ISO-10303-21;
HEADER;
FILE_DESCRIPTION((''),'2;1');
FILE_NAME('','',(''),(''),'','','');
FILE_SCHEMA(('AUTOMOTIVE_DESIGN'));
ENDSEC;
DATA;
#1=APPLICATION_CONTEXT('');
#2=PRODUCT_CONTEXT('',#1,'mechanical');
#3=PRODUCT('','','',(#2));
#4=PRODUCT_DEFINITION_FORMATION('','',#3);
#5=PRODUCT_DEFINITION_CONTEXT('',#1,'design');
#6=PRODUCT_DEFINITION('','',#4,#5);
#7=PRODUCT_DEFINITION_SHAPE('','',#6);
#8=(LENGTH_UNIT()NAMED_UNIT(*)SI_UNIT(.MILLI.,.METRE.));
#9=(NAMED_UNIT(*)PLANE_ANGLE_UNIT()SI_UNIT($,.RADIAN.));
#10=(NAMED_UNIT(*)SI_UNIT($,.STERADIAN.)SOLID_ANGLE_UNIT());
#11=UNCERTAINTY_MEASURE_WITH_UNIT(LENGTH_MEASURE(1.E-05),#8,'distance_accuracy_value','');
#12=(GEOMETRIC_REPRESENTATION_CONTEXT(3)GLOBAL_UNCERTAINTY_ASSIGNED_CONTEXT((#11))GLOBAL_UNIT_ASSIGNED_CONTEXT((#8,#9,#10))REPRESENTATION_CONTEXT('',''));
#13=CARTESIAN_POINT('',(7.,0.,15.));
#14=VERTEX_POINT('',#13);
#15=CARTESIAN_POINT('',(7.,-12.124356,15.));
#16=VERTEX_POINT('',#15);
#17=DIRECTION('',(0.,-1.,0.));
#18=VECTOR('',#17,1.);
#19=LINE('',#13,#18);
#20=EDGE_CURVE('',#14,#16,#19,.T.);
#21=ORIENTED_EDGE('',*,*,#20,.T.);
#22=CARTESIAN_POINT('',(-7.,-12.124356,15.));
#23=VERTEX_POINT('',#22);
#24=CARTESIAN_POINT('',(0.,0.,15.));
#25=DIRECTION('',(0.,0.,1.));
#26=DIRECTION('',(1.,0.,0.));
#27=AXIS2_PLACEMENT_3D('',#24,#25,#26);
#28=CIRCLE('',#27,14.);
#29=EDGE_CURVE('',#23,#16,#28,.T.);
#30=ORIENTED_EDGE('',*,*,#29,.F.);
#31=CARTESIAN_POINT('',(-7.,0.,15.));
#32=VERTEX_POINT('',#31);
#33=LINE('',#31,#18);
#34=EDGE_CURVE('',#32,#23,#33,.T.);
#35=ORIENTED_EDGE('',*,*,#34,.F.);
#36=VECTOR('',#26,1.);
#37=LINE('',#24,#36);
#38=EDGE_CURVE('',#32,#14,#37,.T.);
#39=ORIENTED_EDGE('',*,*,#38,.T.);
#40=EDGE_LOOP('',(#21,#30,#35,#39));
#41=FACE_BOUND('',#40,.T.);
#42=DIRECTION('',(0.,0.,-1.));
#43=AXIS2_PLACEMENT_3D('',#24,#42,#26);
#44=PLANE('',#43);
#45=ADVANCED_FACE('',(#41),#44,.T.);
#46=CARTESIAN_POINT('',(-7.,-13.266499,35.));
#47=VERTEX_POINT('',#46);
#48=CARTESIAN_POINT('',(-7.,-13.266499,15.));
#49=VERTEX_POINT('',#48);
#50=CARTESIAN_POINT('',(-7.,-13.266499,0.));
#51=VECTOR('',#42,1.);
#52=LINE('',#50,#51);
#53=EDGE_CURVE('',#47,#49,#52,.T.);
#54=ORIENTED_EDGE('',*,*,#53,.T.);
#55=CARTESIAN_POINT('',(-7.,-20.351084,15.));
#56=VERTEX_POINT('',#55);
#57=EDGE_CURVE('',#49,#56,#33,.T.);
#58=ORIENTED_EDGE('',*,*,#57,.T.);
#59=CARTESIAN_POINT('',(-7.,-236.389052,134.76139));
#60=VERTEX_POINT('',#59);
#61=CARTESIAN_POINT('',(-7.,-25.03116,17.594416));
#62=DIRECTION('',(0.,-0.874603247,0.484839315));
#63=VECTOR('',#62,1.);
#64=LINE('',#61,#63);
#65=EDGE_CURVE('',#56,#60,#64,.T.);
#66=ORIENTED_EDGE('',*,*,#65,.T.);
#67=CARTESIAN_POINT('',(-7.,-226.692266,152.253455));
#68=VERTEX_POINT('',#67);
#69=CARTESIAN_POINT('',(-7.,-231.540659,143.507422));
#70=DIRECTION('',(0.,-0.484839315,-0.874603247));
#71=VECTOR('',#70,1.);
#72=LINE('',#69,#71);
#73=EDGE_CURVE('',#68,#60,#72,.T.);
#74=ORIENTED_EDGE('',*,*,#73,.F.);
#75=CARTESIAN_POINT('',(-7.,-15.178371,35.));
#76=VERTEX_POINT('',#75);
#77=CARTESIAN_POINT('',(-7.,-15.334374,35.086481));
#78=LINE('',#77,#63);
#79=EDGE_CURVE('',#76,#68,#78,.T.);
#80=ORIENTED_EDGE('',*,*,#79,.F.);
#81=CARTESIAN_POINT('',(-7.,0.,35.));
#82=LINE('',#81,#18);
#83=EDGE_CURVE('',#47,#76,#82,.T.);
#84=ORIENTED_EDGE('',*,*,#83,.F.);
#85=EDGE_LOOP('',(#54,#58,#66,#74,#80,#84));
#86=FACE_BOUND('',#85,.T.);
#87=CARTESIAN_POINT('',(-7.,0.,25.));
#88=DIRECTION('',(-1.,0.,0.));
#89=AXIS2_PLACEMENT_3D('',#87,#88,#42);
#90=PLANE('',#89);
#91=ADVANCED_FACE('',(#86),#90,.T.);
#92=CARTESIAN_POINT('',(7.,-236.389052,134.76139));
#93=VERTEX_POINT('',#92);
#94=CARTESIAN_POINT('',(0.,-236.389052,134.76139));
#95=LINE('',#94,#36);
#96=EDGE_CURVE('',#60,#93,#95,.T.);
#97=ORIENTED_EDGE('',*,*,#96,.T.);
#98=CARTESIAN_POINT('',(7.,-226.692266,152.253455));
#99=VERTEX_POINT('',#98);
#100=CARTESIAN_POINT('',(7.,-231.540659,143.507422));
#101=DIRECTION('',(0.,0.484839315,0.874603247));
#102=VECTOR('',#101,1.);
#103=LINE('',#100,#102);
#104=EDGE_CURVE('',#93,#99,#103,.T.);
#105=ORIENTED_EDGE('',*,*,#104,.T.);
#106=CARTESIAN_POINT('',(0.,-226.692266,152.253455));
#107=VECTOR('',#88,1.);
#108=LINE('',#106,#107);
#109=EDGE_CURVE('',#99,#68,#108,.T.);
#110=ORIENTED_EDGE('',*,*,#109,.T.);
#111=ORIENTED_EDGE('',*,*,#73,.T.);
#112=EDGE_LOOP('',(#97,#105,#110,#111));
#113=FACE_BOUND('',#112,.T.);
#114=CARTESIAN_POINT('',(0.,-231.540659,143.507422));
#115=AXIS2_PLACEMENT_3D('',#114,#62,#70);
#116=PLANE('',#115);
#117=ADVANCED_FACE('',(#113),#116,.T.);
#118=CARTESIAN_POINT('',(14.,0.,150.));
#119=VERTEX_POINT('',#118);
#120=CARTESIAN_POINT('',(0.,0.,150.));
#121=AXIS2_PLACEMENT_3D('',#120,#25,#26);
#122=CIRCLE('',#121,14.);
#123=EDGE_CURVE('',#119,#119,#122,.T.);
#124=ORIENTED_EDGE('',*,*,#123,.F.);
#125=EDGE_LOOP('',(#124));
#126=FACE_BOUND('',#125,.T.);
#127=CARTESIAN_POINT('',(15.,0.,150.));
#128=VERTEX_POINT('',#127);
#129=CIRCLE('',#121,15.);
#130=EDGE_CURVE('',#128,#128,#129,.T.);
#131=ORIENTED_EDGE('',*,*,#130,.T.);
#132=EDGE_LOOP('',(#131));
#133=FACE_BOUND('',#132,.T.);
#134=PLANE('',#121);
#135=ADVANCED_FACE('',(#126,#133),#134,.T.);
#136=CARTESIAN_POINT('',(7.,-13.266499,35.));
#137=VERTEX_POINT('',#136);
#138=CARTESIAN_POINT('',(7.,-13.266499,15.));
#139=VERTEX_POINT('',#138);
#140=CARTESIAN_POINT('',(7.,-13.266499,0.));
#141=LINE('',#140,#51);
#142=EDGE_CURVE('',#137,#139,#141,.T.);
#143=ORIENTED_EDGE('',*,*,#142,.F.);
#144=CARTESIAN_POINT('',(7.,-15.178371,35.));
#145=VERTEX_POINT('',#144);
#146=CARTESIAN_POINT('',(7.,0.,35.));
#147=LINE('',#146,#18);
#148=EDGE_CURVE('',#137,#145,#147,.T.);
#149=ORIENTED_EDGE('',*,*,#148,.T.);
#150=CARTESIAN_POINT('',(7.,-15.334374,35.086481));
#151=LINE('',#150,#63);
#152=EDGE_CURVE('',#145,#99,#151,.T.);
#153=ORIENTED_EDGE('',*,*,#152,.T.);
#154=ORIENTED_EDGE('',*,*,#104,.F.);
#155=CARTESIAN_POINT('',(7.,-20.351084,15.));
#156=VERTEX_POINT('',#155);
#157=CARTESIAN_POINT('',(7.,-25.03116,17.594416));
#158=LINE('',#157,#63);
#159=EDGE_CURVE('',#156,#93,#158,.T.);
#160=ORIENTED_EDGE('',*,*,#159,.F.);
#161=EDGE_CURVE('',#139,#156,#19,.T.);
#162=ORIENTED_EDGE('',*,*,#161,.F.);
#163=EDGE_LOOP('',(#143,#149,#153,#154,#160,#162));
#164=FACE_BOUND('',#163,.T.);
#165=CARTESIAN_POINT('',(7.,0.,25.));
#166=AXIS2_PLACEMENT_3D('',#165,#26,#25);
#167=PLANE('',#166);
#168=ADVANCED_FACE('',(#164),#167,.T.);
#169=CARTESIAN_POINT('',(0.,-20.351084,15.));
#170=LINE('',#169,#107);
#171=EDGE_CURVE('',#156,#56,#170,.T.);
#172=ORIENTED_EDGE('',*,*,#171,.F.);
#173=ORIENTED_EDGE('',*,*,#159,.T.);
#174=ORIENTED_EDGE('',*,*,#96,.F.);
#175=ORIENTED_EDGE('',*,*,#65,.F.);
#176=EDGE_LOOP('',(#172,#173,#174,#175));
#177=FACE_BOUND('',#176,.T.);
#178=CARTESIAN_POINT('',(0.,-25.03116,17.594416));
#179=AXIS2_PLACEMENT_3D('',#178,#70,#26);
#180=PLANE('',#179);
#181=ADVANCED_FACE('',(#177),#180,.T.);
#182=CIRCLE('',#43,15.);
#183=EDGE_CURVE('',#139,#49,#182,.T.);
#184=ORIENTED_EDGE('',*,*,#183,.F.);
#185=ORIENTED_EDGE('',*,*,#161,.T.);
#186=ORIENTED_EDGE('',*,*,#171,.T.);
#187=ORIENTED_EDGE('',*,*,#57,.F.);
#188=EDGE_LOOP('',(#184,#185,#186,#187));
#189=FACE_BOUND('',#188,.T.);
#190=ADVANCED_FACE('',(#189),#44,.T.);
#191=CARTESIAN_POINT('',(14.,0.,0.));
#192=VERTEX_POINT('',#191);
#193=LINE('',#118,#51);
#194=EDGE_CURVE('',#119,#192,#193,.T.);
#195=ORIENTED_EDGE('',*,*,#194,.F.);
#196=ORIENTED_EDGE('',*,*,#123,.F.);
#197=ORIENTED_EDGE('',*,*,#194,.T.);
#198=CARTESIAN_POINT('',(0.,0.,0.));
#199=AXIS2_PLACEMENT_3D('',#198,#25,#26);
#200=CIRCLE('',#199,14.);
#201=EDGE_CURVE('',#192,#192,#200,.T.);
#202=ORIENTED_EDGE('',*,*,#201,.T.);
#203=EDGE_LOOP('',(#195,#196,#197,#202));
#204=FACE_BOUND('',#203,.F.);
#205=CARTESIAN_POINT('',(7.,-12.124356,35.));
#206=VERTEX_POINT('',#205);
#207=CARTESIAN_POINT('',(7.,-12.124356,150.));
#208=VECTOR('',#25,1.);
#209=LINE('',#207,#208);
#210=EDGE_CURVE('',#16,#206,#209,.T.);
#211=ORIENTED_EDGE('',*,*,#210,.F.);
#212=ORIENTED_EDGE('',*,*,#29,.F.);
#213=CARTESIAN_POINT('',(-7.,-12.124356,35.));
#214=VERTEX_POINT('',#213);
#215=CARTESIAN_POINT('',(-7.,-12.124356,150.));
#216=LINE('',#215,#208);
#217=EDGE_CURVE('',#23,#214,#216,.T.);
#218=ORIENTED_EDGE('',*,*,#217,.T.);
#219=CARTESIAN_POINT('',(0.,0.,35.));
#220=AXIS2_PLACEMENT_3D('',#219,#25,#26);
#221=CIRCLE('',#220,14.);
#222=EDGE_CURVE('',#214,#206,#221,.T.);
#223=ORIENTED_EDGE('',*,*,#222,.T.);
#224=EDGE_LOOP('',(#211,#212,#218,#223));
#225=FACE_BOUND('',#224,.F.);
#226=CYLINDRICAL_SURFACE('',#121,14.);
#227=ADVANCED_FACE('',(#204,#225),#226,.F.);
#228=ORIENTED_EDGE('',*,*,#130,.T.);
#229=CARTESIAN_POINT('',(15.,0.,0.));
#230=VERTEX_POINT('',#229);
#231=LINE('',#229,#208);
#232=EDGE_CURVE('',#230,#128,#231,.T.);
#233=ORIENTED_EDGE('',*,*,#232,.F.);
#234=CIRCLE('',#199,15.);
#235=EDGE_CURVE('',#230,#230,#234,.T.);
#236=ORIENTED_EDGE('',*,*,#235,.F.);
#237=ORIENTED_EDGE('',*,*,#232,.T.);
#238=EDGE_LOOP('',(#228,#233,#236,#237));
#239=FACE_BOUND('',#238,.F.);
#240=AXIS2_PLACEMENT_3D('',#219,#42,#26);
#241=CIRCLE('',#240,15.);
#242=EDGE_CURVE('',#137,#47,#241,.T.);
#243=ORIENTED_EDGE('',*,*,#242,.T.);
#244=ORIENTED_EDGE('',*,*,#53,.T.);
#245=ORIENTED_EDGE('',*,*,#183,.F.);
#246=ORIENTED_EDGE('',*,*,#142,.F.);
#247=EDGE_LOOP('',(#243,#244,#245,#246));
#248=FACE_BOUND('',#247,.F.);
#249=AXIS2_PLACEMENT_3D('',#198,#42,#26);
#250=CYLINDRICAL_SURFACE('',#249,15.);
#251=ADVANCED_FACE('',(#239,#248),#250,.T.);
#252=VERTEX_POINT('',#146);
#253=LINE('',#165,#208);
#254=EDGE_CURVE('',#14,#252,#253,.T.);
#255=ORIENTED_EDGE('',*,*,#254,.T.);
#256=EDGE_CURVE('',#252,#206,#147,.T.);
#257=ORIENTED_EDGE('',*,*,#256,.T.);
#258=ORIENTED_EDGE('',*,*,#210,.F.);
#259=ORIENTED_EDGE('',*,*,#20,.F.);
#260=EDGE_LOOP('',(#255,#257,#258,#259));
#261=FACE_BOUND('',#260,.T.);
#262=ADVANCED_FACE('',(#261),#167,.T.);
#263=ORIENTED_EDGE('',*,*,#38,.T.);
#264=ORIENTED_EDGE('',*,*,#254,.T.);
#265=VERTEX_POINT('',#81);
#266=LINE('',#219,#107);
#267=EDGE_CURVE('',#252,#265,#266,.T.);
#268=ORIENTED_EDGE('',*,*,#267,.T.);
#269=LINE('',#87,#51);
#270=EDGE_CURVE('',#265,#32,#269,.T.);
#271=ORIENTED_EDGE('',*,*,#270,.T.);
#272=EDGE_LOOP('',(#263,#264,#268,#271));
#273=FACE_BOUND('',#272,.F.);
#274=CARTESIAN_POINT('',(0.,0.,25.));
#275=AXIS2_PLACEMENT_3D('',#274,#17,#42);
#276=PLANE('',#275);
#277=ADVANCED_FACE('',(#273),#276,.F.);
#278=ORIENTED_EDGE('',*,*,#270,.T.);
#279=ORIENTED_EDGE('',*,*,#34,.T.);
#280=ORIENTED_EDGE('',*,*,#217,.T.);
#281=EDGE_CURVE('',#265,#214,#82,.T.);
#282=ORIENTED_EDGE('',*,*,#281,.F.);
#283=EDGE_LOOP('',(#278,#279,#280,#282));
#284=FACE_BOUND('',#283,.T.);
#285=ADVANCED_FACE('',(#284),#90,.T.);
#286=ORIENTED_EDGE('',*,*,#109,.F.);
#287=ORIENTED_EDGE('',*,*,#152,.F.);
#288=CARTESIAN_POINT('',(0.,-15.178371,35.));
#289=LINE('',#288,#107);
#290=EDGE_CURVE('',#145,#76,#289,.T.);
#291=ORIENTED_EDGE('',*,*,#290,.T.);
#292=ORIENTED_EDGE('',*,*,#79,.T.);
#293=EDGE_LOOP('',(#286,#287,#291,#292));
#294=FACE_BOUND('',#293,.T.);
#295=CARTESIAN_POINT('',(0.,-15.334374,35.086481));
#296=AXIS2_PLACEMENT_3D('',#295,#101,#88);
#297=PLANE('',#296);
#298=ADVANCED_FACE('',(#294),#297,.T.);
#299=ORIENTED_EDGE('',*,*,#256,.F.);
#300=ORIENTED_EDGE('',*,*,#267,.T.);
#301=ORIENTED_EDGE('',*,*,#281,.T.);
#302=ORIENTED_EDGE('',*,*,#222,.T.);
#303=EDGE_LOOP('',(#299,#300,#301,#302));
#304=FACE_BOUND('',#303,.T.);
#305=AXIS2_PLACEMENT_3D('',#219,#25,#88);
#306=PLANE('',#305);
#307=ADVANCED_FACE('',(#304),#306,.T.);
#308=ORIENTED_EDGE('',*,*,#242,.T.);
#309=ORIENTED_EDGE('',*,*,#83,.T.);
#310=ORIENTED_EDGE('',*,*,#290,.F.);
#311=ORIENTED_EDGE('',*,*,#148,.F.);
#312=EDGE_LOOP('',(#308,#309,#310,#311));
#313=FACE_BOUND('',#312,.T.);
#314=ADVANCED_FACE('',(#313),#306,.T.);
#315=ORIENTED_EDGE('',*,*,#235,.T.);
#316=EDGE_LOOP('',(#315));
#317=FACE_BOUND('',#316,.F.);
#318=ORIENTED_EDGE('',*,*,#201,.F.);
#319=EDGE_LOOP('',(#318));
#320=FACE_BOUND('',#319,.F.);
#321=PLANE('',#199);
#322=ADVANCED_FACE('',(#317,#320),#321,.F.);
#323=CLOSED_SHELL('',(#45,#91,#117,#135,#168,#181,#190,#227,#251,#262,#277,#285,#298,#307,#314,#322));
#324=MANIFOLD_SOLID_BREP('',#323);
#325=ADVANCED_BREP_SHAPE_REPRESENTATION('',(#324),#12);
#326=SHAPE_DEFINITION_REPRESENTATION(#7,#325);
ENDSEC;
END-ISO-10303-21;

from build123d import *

# Parameters (mm, degrees)
F0_R      = 15
F1_DEPTH  = 150
F2_R      = 14
F3_DEPTH  = 150
F4_W      = 14
F4_H      = 20
F9_W      = 7
F9_H      = 30
F10_DEPTH = 250


with BuildPart() as f1:
    # F0 (on Top) → F1 (new body)
    with BuildSketch(Plane.XY):
        Circle(F0_R)
    extrude(amount=F1_DEPTH)

    # F2 (on face) → F3 (cut, through all)
    with BuildSketch(Plane.XY.offset(150)):
        Circle(F2_R)
    extrude(amount=-F3_DEPTH, mode=Mode.SUBTRACT)

    # F6: sweep along a path in F5
    with BuildLine(Plane.YZ) as f6_path:
        Line((0, 35.6896594167), (-15, 35.6896594167))
        Line((-15, 35.6896594167), (-226.3578921556, 152.8566330671))
    # F4 (on Front) → F6 (sweep)
    with BuildSketch(Plane.XZ):
        with Locations((0, 25)):
            Rectangle(F4_W, F4_H)
    sweep(path=f6_path.line, transition=Transition.RIGHT)


with BuildPart() as f10:
    # F9 (on face) → F10 (new body)
    with BuildSketch(Plane(origin=(0, 0, 0), x_dir=(-1, 0, 0), z_dir=(0, 0.8660254038, 0.5))):
        with Locations((3.5, 36.4281994849)):
            Rectangle(F9_W, F9_H)
        with Locations((-3.5, 36.4281994849)):
            Rectangle(F9_W, F9_H)
    extrude(amount=F10_DEPTH)

    # F11: cut F1
    add(f1.part, mode=Mode.SUBTRACT)


solid = f1.part
